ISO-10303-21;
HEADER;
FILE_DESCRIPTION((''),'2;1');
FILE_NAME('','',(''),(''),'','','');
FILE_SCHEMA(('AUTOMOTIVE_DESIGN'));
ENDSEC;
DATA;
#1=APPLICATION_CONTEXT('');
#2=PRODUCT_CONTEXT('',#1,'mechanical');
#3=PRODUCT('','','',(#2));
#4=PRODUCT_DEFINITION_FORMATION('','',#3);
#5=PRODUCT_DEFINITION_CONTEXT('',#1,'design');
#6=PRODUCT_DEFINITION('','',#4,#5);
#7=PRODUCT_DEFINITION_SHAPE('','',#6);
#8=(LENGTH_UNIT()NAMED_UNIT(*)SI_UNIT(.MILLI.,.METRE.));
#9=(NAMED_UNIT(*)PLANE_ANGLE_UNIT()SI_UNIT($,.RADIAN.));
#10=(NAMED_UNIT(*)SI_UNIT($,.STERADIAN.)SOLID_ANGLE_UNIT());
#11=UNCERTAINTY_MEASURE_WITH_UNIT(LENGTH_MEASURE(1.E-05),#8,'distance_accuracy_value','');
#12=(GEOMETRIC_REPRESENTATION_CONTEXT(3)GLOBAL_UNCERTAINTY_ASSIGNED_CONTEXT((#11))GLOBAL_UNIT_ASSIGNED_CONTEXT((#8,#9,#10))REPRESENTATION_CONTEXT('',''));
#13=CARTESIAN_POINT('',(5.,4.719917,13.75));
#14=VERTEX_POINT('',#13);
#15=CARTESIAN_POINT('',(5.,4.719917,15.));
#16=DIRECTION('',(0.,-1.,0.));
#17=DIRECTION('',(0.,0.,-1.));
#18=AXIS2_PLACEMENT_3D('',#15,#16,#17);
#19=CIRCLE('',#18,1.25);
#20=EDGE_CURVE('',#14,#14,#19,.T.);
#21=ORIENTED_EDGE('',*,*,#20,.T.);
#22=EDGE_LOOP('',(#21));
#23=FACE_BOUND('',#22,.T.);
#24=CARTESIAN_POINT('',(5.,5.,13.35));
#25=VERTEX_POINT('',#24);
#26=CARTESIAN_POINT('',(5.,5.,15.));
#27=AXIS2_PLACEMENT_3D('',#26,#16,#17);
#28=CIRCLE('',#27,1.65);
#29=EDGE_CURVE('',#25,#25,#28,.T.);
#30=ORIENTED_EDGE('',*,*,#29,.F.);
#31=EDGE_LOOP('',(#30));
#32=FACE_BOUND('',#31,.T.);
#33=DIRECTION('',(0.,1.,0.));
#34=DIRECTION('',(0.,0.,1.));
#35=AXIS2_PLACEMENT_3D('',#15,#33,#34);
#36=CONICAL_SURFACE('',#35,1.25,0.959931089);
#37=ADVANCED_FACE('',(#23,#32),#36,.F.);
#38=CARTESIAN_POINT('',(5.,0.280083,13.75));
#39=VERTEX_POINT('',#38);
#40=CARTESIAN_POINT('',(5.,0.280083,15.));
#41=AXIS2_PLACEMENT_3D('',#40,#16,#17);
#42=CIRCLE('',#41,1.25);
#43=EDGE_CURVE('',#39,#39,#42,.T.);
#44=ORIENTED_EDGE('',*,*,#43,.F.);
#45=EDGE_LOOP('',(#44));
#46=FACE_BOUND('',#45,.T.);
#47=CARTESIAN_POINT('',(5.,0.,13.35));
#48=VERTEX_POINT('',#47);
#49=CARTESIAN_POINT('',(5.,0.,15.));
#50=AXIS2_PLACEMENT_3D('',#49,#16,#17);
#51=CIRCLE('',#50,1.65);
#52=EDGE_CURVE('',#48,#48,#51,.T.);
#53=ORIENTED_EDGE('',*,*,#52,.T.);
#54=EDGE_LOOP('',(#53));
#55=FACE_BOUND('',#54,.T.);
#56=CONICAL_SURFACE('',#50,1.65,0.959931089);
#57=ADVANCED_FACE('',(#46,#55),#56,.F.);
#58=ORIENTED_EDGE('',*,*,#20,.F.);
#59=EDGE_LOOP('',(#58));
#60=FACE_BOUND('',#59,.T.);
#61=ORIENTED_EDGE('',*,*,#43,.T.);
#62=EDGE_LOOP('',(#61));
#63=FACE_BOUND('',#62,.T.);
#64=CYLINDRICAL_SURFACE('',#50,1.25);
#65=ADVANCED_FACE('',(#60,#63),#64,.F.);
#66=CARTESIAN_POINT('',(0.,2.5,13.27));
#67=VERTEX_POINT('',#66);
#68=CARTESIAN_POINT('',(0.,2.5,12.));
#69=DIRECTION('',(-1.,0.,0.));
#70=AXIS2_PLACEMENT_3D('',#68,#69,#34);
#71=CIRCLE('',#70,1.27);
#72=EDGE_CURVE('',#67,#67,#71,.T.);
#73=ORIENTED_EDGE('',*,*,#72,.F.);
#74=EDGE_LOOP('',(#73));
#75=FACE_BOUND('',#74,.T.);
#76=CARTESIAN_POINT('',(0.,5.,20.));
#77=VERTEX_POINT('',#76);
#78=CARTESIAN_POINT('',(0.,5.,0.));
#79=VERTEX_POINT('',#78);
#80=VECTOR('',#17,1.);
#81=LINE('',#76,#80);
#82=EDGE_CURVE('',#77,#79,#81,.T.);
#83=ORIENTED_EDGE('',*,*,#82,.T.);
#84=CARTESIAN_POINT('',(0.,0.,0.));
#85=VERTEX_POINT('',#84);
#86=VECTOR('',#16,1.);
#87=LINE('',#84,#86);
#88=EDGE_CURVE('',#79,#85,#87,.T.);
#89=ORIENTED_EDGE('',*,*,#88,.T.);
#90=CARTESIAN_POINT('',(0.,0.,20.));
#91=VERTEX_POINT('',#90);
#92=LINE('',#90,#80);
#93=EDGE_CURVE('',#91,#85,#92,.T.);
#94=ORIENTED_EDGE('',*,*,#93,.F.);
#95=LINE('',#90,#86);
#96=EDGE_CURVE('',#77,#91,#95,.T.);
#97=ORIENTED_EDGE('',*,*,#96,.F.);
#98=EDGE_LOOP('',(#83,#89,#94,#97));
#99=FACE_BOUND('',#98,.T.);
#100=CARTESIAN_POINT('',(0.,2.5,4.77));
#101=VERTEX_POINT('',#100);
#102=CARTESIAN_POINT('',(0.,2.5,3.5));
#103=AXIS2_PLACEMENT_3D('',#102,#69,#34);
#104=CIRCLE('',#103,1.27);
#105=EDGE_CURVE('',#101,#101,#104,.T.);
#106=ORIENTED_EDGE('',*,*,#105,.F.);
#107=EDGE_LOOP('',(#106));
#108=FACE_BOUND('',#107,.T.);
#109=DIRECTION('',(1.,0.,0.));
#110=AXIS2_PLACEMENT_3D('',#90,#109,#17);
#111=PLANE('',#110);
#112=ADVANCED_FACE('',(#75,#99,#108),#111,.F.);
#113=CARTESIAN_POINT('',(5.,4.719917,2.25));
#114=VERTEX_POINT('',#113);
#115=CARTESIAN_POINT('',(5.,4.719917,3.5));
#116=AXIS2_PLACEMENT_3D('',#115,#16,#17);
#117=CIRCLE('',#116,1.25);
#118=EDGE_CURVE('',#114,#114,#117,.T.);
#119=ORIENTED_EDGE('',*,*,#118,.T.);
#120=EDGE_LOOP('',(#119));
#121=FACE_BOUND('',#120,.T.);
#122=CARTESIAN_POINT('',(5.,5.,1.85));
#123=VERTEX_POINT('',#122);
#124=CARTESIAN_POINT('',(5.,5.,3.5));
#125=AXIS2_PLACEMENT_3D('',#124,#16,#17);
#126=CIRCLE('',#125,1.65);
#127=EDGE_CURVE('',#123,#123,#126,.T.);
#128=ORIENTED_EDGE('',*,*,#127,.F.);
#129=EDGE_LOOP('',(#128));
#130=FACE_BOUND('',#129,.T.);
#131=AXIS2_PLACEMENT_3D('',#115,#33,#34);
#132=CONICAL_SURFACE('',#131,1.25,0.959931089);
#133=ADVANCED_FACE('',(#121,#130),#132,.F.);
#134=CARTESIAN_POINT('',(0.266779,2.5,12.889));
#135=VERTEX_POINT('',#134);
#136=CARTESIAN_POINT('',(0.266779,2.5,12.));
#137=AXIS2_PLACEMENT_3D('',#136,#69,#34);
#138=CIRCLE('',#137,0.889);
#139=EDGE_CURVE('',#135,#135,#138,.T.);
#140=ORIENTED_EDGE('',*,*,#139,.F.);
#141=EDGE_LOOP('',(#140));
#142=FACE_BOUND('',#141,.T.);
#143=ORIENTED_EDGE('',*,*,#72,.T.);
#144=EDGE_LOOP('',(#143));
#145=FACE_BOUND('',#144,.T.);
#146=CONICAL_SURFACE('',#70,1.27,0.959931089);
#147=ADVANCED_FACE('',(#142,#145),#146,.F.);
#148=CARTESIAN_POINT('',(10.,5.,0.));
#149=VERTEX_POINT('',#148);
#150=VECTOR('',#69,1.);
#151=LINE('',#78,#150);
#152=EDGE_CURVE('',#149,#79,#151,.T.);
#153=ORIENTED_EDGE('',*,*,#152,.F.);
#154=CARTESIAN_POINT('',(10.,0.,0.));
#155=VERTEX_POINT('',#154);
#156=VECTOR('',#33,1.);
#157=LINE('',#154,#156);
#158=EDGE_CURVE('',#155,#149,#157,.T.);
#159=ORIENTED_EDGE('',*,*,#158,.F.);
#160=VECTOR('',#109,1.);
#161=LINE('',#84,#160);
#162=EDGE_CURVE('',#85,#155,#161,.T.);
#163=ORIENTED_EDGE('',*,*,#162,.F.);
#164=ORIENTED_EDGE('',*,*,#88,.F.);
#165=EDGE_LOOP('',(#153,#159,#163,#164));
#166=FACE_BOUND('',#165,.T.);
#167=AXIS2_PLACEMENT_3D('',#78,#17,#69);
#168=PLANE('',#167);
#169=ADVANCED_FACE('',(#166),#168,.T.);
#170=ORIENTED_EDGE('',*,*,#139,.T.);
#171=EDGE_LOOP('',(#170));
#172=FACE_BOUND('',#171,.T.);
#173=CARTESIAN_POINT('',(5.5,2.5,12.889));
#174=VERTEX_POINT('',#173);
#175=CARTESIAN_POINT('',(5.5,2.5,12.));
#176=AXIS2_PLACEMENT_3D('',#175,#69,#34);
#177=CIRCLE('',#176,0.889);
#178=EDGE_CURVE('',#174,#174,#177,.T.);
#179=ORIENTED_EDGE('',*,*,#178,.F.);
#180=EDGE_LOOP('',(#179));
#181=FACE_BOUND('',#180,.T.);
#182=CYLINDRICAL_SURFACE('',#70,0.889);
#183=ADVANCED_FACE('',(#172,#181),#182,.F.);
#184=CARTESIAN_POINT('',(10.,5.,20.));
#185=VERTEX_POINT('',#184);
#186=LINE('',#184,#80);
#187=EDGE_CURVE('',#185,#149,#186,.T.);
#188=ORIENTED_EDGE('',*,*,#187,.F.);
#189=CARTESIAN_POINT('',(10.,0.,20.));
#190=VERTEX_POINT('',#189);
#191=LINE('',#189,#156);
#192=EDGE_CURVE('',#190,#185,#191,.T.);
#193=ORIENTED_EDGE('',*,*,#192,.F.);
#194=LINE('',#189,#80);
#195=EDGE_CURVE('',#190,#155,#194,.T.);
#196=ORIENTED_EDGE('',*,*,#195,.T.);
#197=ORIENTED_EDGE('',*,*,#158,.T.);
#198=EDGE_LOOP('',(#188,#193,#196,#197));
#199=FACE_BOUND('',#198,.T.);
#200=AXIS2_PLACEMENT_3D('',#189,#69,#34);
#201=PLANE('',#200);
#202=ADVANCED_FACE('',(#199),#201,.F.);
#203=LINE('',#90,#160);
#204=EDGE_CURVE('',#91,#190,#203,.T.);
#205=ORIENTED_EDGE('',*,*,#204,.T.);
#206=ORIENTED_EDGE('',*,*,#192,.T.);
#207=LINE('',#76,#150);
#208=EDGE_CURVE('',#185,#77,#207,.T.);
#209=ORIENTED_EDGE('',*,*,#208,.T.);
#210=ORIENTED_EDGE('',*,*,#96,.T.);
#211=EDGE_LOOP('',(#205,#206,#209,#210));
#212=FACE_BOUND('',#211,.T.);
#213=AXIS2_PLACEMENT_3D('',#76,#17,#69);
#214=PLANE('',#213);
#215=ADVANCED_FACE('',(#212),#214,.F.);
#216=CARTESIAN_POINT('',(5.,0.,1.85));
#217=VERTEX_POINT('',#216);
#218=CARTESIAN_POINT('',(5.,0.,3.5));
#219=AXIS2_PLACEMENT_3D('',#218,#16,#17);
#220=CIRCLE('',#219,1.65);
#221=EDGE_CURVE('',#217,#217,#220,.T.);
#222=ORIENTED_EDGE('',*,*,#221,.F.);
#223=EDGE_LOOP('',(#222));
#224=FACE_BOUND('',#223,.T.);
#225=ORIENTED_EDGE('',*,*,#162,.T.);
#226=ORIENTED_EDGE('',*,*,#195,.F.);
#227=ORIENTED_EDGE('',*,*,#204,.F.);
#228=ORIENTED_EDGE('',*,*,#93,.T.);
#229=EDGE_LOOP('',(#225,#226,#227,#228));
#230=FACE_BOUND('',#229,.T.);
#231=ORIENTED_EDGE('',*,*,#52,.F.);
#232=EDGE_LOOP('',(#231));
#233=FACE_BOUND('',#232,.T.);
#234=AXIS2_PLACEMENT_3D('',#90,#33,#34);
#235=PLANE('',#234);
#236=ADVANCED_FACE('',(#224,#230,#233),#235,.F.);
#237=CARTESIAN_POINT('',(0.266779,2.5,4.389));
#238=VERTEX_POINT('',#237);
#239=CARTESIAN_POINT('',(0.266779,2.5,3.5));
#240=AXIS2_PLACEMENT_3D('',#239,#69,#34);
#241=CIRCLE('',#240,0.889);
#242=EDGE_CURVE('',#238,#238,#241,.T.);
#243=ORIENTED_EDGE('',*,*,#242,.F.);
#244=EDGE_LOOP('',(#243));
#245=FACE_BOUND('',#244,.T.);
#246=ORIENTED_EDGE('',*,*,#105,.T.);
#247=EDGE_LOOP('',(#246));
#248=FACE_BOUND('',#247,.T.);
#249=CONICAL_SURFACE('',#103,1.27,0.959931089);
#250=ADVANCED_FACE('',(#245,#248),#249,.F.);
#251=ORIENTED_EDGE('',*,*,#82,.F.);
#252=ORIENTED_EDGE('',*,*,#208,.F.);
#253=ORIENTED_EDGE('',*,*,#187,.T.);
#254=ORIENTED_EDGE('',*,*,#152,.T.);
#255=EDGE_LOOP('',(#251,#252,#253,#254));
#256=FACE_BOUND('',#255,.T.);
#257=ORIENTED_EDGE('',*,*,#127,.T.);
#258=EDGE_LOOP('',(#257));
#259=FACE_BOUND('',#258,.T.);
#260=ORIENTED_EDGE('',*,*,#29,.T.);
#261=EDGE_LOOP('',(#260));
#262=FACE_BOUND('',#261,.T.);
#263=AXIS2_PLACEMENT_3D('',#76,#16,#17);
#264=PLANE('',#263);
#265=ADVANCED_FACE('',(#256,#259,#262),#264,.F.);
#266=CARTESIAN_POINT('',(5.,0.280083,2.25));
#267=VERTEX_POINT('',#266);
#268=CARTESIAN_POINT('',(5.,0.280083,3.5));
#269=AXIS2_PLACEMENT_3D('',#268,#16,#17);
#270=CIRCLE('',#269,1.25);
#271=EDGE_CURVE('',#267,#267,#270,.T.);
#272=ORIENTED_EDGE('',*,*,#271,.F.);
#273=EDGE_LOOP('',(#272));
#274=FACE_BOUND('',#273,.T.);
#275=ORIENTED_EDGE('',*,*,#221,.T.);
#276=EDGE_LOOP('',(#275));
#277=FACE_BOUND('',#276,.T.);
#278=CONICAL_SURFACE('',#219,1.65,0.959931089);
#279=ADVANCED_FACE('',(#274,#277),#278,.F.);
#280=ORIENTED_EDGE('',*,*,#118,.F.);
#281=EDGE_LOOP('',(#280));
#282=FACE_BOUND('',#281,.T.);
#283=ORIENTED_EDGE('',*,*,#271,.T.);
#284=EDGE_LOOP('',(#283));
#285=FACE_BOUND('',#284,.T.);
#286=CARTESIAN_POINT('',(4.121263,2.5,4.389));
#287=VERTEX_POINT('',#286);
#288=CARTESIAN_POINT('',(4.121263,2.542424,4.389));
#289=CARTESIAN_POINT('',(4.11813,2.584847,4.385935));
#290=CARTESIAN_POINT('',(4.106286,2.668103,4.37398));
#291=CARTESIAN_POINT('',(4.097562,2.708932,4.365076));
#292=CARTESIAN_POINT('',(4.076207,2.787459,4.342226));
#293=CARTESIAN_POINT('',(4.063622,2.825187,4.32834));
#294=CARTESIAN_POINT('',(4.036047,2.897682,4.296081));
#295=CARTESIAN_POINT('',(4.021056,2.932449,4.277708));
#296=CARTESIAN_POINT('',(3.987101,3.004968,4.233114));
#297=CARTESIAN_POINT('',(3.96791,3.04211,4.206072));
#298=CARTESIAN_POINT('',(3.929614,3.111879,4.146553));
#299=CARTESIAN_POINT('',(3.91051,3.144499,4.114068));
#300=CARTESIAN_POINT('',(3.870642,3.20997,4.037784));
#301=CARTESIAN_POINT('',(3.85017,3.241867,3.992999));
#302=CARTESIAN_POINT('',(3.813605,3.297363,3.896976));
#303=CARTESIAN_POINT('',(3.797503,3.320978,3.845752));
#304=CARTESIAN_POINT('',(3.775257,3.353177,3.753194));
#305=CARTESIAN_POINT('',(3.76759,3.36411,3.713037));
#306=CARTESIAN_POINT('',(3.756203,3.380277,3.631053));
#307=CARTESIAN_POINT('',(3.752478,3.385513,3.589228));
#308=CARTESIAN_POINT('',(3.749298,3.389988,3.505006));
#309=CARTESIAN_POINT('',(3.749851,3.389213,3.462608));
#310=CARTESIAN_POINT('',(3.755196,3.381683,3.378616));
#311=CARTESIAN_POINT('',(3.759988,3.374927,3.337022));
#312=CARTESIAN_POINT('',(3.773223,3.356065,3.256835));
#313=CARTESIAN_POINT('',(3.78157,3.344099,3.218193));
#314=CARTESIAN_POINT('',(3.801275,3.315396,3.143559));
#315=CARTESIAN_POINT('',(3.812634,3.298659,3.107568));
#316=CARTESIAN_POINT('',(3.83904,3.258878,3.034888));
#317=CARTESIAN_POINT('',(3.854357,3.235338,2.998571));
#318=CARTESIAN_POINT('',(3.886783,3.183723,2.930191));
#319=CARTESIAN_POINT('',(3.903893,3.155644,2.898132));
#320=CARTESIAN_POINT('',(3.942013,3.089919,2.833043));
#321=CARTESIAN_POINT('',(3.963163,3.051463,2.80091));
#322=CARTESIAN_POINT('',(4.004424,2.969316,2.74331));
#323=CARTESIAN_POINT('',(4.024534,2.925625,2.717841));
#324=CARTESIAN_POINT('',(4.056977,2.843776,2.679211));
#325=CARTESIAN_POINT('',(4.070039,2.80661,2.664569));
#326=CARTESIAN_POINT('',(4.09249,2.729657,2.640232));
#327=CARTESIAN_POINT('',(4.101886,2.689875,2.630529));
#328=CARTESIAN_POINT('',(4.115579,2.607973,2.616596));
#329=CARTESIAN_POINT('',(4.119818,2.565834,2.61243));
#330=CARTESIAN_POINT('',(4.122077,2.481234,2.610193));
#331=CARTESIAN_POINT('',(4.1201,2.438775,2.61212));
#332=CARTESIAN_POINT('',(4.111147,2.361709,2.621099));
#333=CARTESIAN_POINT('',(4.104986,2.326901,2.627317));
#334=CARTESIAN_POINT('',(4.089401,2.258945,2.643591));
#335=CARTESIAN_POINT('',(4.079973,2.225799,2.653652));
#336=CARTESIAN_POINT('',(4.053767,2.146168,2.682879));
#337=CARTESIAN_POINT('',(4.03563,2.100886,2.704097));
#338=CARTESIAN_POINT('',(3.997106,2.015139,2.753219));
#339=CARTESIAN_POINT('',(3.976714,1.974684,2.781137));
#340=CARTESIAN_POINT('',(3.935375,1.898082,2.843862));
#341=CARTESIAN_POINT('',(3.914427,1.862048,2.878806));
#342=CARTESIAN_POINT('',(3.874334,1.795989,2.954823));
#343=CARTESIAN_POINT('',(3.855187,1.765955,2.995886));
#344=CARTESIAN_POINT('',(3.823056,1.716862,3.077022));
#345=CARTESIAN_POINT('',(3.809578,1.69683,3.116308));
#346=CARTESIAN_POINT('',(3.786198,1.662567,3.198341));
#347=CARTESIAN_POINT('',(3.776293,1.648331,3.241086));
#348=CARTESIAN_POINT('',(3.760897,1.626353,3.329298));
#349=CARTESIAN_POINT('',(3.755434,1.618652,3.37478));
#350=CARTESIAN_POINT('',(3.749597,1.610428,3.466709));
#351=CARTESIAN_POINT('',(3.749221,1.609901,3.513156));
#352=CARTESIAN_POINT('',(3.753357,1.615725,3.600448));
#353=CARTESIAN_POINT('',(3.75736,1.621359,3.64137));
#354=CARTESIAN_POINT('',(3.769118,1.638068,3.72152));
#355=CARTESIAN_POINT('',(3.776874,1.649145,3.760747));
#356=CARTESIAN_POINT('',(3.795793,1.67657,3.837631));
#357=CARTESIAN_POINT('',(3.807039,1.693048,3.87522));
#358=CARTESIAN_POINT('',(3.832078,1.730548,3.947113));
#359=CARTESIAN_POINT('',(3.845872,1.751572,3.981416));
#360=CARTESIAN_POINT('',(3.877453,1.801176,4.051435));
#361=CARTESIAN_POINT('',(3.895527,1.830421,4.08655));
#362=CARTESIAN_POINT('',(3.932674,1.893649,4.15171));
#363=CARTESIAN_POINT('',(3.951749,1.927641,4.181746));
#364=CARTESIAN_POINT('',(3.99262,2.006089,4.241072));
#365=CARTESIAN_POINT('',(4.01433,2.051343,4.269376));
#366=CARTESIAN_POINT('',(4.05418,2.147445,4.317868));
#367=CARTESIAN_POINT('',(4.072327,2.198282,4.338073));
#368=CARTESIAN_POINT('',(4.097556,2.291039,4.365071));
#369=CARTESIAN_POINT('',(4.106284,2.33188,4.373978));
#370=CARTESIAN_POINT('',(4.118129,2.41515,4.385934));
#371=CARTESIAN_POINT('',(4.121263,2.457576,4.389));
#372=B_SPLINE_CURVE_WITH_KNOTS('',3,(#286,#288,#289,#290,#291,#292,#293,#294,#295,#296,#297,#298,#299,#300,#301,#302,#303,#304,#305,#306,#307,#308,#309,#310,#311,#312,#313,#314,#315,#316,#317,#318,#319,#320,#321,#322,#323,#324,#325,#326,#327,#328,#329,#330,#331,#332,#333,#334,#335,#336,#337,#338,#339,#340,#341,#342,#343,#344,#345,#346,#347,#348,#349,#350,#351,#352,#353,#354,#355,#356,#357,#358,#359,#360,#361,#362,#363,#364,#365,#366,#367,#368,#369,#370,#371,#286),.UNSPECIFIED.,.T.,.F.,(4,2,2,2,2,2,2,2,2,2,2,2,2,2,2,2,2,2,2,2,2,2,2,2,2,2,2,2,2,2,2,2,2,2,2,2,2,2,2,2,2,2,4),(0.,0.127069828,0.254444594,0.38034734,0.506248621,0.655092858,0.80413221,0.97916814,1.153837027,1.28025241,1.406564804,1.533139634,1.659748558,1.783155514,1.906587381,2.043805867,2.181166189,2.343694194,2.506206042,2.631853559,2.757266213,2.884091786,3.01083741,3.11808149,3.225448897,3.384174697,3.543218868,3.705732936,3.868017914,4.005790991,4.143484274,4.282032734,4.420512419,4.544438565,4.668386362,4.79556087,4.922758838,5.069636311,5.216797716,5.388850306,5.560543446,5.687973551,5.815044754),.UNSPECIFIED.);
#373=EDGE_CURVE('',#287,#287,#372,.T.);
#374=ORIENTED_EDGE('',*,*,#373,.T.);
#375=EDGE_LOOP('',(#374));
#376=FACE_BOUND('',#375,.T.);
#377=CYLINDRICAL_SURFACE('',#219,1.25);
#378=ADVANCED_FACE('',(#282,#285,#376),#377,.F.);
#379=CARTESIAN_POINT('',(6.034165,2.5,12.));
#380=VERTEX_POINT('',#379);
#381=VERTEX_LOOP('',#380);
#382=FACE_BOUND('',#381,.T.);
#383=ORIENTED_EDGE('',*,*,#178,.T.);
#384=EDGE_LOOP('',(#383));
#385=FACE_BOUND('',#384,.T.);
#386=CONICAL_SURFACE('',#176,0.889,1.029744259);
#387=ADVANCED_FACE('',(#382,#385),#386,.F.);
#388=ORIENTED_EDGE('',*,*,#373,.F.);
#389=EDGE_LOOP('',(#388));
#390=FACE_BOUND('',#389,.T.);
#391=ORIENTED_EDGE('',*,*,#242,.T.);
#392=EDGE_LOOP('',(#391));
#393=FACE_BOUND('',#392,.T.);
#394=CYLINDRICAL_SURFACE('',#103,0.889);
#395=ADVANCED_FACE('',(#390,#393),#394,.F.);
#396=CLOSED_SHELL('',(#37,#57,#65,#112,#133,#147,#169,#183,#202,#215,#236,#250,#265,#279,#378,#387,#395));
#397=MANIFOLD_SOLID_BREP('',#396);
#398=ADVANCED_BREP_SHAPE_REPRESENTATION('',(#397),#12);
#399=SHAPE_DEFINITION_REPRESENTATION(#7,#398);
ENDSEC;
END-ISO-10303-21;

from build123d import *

# Parameters (mm, degrees)
SKETCH_1_W                    = 10
SKETCH_1_H                    = 5
EXTRUDE_1_DEPTH               = 20
M3X0_51_AT_2_COUNT            = 2
M3X0_51_AT_2_PITCH            = 11.5
HOLE_WIZARD_2_561_D           = 1.778
HOLE_WIZARD_2_561_DEPTH       = 5.5
HOLE_WIZARD_2_561_CSINK_D     = 2.54
HOLE_WIZARD_2_561_CSINK_ANGLE = 110
HOLE_WIZARD_2_561_TIP         = 0.53416509


with BuildPart() as part:
    # Эскиз1 → Бобышка-Вытянуть1 (new body)
    with BuildSketch(Plane.XY):
        with Locations((5, 2.5)):
            Rectangle(SKETCH_1_W, SKETCH_1_H)
    extrude(amount=EXTRUDE_1_DEPTH)

    # Эскиз4 → Отверстие обработанное метчиком M3x0.51 (revolve, cut)
    with BuildSketch(Plane(origin=(5, 0, 15), x_dir=(0, 0, -1), z_dir=(1, 0, 0))):
        Polygon((0, 0), (0, 5), (1.65, 5), (1.25, 4.719916985), (1.25, 0.280083015), (1.65, 0), align=None)
    m3x0_51 = revolve(axis=Axis((5, -6.35, 15), (0, 1, 0)), mode=Mode.SUBTRACT)

    # Отверстие обработанное метчиком M3x0.51 at 2: Отверстие обработанное метчиком M3x0.51 ×2
    with Locations(*[(0, 0, -i * M3X0_51_AT_2_PITCH) for i in range(1, M3X0_51_AT_2_COUNT)]):
        add(m3x0_51, mode=Mode.SUBTRACT)

    # Отверстие обработанное метчиком #2-561
    with Locations(Plane.ZY):
        with Locations((3.5, 2.5), (12, 2.5)):
            CounterSinkHole(HOLE_WIZARD_2_561_D / 2, HOLE_WIZARD_2_561_CSINK_D / 2, depth=HOLE_WIZARD_2_561_DEPTH, counter_sink_angle=HOLE_WIZARD_2_561_CSINK_ANGLE)
            with Locations((0, 0, -(HOLE_WIZARD_2_561_DEPTH + HOLE_WIZARD_2_561_TIP / 2))):  # 118° drill point
                Cone(0, HOLE_WIZARD_2_561_D / 2, HOLE_WIZARD_2_561_TIP, mode=Mode.SUBTRACT)


solid = part.part
